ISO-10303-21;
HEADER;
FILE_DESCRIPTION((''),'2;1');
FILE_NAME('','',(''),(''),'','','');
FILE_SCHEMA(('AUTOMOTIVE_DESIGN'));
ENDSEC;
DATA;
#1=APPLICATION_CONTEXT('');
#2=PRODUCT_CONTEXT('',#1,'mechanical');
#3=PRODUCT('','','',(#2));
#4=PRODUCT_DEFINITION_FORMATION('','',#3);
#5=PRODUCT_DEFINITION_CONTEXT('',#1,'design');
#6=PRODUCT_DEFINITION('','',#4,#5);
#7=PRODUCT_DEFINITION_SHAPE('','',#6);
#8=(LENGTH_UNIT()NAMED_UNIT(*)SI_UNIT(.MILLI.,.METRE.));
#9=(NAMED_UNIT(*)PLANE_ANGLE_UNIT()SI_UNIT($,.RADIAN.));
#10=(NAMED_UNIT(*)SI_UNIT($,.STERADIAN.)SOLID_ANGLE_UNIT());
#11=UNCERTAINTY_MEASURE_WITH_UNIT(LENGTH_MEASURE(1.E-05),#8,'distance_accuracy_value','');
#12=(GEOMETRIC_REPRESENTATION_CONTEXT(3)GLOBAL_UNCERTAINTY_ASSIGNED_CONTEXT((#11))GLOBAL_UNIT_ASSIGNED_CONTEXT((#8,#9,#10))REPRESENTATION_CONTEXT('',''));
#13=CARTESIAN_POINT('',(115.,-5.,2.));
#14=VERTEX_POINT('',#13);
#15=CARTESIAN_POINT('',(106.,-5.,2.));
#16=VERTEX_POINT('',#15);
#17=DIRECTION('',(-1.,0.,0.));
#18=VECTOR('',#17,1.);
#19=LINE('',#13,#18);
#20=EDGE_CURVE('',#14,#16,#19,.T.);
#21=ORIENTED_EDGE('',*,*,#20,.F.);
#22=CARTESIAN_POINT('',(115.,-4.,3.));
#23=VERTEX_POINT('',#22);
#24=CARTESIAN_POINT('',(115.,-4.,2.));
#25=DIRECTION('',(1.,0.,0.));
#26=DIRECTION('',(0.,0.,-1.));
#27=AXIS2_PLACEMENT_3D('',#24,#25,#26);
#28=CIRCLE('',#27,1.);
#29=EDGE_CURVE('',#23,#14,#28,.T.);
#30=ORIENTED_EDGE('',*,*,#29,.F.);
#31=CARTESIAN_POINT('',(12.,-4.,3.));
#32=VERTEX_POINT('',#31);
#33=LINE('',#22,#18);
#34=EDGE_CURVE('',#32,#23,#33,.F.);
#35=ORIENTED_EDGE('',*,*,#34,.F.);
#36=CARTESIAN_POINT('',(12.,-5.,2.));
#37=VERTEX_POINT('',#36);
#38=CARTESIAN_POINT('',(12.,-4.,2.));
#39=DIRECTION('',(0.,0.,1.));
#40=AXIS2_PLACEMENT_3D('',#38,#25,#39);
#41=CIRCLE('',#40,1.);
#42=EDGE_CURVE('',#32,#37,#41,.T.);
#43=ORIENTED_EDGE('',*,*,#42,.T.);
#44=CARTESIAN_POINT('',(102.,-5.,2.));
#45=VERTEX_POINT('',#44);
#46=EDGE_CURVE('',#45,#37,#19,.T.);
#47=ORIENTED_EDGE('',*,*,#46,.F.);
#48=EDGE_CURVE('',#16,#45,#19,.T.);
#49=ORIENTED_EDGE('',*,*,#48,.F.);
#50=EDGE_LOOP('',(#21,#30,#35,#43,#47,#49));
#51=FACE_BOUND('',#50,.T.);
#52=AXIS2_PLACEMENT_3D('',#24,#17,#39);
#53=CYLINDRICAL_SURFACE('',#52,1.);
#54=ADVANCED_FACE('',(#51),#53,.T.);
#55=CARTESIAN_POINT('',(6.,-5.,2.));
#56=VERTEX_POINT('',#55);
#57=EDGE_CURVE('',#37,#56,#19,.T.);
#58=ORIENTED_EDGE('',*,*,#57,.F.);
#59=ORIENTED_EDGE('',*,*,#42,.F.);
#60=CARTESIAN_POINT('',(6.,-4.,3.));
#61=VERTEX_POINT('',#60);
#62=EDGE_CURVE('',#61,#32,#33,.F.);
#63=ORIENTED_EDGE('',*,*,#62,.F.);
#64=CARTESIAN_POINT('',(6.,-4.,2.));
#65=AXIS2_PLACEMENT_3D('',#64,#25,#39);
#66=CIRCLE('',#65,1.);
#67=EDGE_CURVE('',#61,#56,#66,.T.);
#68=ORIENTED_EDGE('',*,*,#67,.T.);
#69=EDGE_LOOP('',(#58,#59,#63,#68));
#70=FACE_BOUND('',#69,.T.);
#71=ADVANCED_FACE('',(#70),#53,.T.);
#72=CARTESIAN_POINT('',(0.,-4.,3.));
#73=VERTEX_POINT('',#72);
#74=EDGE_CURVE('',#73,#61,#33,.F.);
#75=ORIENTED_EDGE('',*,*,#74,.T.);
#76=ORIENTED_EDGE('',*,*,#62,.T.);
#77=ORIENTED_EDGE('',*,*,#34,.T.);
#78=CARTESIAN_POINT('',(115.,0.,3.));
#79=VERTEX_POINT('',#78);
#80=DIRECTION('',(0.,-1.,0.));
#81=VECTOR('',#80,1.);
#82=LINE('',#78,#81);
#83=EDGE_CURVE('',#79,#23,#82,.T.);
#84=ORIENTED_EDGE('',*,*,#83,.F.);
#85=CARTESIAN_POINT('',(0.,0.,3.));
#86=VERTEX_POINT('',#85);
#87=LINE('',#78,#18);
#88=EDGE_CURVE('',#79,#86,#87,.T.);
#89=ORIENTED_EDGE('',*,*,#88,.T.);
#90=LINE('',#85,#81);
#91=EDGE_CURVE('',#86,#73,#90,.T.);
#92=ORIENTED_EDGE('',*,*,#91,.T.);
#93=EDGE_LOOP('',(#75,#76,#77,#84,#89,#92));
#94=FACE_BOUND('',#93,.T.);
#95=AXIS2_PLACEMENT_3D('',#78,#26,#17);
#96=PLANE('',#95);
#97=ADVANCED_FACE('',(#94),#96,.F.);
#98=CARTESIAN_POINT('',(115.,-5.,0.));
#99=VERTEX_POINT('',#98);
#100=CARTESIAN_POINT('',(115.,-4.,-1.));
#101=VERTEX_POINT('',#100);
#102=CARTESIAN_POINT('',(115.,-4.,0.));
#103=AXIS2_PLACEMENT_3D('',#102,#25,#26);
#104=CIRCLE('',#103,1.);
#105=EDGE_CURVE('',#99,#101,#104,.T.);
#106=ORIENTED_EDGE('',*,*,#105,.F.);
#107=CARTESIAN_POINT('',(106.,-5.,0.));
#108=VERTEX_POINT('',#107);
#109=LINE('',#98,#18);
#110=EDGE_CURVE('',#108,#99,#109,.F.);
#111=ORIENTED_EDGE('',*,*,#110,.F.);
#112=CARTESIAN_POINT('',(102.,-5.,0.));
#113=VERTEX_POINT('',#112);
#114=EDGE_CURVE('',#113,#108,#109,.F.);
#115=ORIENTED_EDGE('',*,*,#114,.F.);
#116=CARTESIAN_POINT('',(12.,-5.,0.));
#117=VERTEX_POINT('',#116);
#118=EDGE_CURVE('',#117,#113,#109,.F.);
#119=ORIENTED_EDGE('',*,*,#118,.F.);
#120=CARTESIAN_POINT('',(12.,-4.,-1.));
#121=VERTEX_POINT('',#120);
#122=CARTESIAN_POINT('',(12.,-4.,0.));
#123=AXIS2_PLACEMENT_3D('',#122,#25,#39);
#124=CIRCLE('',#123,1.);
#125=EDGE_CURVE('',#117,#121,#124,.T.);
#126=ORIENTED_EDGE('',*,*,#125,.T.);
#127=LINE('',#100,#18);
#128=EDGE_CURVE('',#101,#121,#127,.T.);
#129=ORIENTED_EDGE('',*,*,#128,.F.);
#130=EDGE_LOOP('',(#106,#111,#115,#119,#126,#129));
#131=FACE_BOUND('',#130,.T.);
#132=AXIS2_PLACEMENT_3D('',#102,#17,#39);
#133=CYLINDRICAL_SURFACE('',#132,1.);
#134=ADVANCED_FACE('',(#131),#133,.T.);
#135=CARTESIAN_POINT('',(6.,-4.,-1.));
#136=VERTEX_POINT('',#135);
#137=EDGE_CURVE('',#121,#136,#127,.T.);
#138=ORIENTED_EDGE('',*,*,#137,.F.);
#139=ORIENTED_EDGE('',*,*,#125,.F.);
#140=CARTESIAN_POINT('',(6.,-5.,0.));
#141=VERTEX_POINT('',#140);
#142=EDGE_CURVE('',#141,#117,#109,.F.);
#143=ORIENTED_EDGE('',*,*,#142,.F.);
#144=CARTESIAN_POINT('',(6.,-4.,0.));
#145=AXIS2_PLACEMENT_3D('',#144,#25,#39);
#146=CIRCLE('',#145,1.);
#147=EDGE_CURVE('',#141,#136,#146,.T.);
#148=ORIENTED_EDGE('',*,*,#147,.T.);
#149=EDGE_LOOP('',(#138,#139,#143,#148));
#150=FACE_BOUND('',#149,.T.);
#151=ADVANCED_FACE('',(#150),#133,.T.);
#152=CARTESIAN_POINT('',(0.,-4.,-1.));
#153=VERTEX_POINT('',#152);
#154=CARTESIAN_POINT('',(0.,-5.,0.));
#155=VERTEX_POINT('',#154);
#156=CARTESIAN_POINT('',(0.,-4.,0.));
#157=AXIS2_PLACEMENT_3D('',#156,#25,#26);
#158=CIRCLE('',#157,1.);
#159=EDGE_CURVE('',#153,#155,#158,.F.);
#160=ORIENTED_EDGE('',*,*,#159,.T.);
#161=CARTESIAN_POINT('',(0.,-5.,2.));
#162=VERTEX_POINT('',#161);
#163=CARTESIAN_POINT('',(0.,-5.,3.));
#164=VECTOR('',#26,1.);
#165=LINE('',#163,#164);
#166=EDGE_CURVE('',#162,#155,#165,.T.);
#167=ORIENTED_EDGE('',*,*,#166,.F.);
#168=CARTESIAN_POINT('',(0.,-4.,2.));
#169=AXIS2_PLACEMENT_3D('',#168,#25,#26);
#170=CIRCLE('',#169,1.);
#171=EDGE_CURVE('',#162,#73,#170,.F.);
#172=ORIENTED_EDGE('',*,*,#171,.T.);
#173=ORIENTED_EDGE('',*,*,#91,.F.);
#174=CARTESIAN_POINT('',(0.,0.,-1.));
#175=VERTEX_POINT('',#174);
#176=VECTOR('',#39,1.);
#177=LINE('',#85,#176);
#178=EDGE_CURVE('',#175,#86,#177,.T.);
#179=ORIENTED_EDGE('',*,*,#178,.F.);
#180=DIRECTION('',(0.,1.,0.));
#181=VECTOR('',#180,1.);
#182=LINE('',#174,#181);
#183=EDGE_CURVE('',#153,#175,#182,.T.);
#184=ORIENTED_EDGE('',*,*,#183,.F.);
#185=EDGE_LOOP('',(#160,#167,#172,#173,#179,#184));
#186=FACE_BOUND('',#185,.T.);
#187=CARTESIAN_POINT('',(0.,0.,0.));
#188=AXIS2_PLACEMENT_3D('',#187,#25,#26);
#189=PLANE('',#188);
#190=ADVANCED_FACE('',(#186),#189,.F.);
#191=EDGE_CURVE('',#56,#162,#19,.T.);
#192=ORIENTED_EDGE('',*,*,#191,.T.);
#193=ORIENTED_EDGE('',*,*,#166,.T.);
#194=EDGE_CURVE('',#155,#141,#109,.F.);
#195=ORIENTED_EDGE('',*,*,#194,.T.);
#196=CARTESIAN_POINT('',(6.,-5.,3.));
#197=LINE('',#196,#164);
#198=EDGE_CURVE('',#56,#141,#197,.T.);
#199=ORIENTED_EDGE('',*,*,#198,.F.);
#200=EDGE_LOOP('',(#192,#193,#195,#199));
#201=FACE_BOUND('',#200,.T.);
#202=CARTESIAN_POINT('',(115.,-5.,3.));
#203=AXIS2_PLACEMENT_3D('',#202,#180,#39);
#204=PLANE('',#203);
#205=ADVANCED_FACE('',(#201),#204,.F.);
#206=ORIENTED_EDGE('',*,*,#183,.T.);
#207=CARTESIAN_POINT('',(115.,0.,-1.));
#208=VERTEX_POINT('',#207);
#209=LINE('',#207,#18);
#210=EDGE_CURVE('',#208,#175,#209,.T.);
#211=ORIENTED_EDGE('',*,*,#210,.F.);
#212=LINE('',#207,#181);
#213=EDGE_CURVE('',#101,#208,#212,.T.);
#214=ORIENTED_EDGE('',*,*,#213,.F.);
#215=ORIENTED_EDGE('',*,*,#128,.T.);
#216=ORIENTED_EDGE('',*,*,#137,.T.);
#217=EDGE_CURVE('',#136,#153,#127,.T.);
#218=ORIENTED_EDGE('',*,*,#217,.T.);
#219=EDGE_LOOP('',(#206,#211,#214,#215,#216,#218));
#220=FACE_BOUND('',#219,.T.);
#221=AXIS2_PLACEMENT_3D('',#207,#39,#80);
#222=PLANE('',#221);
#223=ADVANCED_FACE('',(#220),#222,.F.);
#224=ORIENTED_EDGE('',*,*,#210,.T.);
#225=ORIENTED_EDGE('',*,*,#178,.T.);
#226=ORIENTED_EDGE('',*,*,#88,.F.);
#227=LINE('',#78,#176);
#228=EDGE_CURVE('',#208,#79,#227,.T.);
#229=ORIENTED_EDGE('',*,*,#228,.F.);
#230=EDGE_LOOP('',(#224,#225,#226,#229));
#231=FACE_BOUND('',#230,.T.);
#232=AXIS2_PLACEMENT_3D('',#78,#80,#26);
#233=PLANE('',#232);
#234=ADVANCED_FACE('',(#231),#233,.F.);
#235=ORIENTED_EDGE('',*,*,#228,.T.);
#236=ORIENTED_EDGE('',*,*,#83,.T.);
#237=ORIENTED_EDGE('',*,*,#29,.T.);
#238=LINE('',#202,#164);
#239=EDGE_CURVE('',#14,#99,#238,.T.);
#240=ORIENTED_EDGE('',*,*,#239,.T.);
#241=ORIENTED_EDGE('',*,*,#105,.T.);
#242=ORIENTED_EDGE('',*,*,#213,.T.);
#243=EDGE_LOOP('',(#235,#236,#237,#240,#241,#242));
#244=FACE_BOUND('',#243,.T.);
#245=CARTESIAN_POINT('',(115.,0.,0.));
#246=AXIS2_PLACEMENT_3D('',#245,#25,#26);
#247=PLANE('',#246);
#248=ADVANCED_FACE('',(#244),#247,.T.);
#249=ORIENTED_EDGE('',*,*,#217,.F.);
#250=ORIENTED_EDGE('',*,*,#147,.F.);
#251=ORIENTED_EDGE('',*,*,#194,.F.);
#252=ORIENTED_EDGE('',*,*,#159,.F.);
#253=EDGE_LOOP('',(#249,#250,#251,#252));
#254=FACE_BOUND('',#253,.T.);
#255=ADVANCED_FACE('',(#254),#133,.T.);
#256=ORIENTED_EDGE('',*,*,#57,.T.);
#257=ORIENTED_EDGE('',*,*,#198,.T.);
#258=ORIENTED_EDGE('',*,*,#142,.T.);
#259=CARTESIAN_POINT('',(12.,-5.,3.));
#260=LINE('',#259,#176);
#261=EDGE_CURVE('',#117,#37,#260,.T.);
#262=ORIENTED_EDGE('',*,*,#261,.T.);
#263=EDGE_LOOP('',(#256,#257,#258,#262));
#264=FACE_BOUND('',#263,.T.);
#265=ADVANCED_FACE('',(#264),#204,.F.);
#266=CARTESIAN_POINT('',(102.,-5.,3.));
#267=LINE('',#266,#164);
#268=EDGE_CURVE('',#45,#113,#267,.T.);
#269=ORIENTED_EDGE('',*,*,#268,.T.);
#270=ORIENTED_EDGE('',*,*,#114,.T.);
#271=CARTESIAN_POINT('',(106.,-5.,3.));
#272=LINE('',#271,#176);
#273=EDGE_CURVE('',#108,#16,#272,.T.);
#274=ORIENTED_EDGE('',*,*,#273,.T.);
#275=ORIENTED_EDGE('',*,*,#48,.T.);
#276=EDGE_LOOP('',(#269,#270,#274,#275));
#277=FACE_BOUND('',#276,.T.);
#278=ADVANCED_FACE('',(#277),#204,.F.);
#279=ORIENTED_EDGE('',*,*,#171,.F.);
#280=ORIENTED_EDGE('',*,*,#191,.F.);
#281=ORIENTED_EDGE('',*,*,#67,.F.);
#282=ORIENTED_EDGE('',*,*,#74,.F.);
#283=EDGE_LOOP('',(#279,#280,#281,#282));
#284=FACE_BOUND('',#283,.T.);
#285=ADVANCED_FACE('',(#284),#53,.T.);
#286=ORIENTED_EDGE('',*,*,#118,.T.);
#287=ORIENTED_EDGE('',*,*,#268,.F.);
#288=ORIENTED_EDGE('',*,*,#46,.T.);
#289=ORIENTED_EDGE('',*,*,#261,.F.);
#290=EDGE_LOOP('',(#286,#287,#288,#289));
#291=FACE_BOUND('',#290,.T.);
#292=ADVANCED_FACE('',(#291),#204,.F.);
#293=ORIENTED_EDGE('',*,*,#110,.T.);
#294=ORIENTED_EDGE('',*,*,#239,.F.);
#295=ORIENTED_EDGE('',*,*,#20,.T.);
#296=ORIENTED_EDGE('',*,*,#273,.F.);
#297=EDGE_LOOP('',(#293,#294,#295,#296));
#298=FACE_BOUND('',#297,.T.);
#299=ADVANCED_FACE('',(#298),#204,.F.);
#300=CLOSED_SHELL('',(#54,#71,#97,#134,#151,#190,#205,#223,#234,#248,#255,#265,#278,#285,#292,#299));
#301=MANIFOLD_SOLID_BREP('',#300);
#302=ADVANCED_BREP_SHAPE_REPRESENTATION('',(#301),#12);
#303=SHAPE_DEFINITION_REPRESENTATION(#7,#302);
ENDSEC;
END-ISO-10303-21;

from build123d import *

# Parameters (mm, degrees)
SKIZZE1_W                       = 4
SKIZZE1_H                       = 5
AUFSATZ_LINEAR_AUSTRAGEN1_DEPTH = 115
VERRUNDUNG1_R                   = 1


with BuildPart() as part:
    # Skizze1 → Aufsatz-Linear austragen1 (new body)
    with BuildSketch(Plane(origin=(0, 0, 0), x_dir=(0, 0, -1), z_dir=(1, 0, 0))):
        with Locations((-1, -2.5)):
            Rectangle(SKIZZE1_W, SKIZZE1_H)
    extrude(amount=AUFSATZ_LINEAR_AUSTRAGEN1_DEPTH)

    # Verrundung1
    verrundung1_edges = [part.edges().sort_by_distance(p)[0] for p in [
        (57.5, -5, -1),
        (57.5, -5, 3),
    ]]
    fillet(verrundung1_edges, radius=VERRUNDUNG1_R)


solid = part.part
